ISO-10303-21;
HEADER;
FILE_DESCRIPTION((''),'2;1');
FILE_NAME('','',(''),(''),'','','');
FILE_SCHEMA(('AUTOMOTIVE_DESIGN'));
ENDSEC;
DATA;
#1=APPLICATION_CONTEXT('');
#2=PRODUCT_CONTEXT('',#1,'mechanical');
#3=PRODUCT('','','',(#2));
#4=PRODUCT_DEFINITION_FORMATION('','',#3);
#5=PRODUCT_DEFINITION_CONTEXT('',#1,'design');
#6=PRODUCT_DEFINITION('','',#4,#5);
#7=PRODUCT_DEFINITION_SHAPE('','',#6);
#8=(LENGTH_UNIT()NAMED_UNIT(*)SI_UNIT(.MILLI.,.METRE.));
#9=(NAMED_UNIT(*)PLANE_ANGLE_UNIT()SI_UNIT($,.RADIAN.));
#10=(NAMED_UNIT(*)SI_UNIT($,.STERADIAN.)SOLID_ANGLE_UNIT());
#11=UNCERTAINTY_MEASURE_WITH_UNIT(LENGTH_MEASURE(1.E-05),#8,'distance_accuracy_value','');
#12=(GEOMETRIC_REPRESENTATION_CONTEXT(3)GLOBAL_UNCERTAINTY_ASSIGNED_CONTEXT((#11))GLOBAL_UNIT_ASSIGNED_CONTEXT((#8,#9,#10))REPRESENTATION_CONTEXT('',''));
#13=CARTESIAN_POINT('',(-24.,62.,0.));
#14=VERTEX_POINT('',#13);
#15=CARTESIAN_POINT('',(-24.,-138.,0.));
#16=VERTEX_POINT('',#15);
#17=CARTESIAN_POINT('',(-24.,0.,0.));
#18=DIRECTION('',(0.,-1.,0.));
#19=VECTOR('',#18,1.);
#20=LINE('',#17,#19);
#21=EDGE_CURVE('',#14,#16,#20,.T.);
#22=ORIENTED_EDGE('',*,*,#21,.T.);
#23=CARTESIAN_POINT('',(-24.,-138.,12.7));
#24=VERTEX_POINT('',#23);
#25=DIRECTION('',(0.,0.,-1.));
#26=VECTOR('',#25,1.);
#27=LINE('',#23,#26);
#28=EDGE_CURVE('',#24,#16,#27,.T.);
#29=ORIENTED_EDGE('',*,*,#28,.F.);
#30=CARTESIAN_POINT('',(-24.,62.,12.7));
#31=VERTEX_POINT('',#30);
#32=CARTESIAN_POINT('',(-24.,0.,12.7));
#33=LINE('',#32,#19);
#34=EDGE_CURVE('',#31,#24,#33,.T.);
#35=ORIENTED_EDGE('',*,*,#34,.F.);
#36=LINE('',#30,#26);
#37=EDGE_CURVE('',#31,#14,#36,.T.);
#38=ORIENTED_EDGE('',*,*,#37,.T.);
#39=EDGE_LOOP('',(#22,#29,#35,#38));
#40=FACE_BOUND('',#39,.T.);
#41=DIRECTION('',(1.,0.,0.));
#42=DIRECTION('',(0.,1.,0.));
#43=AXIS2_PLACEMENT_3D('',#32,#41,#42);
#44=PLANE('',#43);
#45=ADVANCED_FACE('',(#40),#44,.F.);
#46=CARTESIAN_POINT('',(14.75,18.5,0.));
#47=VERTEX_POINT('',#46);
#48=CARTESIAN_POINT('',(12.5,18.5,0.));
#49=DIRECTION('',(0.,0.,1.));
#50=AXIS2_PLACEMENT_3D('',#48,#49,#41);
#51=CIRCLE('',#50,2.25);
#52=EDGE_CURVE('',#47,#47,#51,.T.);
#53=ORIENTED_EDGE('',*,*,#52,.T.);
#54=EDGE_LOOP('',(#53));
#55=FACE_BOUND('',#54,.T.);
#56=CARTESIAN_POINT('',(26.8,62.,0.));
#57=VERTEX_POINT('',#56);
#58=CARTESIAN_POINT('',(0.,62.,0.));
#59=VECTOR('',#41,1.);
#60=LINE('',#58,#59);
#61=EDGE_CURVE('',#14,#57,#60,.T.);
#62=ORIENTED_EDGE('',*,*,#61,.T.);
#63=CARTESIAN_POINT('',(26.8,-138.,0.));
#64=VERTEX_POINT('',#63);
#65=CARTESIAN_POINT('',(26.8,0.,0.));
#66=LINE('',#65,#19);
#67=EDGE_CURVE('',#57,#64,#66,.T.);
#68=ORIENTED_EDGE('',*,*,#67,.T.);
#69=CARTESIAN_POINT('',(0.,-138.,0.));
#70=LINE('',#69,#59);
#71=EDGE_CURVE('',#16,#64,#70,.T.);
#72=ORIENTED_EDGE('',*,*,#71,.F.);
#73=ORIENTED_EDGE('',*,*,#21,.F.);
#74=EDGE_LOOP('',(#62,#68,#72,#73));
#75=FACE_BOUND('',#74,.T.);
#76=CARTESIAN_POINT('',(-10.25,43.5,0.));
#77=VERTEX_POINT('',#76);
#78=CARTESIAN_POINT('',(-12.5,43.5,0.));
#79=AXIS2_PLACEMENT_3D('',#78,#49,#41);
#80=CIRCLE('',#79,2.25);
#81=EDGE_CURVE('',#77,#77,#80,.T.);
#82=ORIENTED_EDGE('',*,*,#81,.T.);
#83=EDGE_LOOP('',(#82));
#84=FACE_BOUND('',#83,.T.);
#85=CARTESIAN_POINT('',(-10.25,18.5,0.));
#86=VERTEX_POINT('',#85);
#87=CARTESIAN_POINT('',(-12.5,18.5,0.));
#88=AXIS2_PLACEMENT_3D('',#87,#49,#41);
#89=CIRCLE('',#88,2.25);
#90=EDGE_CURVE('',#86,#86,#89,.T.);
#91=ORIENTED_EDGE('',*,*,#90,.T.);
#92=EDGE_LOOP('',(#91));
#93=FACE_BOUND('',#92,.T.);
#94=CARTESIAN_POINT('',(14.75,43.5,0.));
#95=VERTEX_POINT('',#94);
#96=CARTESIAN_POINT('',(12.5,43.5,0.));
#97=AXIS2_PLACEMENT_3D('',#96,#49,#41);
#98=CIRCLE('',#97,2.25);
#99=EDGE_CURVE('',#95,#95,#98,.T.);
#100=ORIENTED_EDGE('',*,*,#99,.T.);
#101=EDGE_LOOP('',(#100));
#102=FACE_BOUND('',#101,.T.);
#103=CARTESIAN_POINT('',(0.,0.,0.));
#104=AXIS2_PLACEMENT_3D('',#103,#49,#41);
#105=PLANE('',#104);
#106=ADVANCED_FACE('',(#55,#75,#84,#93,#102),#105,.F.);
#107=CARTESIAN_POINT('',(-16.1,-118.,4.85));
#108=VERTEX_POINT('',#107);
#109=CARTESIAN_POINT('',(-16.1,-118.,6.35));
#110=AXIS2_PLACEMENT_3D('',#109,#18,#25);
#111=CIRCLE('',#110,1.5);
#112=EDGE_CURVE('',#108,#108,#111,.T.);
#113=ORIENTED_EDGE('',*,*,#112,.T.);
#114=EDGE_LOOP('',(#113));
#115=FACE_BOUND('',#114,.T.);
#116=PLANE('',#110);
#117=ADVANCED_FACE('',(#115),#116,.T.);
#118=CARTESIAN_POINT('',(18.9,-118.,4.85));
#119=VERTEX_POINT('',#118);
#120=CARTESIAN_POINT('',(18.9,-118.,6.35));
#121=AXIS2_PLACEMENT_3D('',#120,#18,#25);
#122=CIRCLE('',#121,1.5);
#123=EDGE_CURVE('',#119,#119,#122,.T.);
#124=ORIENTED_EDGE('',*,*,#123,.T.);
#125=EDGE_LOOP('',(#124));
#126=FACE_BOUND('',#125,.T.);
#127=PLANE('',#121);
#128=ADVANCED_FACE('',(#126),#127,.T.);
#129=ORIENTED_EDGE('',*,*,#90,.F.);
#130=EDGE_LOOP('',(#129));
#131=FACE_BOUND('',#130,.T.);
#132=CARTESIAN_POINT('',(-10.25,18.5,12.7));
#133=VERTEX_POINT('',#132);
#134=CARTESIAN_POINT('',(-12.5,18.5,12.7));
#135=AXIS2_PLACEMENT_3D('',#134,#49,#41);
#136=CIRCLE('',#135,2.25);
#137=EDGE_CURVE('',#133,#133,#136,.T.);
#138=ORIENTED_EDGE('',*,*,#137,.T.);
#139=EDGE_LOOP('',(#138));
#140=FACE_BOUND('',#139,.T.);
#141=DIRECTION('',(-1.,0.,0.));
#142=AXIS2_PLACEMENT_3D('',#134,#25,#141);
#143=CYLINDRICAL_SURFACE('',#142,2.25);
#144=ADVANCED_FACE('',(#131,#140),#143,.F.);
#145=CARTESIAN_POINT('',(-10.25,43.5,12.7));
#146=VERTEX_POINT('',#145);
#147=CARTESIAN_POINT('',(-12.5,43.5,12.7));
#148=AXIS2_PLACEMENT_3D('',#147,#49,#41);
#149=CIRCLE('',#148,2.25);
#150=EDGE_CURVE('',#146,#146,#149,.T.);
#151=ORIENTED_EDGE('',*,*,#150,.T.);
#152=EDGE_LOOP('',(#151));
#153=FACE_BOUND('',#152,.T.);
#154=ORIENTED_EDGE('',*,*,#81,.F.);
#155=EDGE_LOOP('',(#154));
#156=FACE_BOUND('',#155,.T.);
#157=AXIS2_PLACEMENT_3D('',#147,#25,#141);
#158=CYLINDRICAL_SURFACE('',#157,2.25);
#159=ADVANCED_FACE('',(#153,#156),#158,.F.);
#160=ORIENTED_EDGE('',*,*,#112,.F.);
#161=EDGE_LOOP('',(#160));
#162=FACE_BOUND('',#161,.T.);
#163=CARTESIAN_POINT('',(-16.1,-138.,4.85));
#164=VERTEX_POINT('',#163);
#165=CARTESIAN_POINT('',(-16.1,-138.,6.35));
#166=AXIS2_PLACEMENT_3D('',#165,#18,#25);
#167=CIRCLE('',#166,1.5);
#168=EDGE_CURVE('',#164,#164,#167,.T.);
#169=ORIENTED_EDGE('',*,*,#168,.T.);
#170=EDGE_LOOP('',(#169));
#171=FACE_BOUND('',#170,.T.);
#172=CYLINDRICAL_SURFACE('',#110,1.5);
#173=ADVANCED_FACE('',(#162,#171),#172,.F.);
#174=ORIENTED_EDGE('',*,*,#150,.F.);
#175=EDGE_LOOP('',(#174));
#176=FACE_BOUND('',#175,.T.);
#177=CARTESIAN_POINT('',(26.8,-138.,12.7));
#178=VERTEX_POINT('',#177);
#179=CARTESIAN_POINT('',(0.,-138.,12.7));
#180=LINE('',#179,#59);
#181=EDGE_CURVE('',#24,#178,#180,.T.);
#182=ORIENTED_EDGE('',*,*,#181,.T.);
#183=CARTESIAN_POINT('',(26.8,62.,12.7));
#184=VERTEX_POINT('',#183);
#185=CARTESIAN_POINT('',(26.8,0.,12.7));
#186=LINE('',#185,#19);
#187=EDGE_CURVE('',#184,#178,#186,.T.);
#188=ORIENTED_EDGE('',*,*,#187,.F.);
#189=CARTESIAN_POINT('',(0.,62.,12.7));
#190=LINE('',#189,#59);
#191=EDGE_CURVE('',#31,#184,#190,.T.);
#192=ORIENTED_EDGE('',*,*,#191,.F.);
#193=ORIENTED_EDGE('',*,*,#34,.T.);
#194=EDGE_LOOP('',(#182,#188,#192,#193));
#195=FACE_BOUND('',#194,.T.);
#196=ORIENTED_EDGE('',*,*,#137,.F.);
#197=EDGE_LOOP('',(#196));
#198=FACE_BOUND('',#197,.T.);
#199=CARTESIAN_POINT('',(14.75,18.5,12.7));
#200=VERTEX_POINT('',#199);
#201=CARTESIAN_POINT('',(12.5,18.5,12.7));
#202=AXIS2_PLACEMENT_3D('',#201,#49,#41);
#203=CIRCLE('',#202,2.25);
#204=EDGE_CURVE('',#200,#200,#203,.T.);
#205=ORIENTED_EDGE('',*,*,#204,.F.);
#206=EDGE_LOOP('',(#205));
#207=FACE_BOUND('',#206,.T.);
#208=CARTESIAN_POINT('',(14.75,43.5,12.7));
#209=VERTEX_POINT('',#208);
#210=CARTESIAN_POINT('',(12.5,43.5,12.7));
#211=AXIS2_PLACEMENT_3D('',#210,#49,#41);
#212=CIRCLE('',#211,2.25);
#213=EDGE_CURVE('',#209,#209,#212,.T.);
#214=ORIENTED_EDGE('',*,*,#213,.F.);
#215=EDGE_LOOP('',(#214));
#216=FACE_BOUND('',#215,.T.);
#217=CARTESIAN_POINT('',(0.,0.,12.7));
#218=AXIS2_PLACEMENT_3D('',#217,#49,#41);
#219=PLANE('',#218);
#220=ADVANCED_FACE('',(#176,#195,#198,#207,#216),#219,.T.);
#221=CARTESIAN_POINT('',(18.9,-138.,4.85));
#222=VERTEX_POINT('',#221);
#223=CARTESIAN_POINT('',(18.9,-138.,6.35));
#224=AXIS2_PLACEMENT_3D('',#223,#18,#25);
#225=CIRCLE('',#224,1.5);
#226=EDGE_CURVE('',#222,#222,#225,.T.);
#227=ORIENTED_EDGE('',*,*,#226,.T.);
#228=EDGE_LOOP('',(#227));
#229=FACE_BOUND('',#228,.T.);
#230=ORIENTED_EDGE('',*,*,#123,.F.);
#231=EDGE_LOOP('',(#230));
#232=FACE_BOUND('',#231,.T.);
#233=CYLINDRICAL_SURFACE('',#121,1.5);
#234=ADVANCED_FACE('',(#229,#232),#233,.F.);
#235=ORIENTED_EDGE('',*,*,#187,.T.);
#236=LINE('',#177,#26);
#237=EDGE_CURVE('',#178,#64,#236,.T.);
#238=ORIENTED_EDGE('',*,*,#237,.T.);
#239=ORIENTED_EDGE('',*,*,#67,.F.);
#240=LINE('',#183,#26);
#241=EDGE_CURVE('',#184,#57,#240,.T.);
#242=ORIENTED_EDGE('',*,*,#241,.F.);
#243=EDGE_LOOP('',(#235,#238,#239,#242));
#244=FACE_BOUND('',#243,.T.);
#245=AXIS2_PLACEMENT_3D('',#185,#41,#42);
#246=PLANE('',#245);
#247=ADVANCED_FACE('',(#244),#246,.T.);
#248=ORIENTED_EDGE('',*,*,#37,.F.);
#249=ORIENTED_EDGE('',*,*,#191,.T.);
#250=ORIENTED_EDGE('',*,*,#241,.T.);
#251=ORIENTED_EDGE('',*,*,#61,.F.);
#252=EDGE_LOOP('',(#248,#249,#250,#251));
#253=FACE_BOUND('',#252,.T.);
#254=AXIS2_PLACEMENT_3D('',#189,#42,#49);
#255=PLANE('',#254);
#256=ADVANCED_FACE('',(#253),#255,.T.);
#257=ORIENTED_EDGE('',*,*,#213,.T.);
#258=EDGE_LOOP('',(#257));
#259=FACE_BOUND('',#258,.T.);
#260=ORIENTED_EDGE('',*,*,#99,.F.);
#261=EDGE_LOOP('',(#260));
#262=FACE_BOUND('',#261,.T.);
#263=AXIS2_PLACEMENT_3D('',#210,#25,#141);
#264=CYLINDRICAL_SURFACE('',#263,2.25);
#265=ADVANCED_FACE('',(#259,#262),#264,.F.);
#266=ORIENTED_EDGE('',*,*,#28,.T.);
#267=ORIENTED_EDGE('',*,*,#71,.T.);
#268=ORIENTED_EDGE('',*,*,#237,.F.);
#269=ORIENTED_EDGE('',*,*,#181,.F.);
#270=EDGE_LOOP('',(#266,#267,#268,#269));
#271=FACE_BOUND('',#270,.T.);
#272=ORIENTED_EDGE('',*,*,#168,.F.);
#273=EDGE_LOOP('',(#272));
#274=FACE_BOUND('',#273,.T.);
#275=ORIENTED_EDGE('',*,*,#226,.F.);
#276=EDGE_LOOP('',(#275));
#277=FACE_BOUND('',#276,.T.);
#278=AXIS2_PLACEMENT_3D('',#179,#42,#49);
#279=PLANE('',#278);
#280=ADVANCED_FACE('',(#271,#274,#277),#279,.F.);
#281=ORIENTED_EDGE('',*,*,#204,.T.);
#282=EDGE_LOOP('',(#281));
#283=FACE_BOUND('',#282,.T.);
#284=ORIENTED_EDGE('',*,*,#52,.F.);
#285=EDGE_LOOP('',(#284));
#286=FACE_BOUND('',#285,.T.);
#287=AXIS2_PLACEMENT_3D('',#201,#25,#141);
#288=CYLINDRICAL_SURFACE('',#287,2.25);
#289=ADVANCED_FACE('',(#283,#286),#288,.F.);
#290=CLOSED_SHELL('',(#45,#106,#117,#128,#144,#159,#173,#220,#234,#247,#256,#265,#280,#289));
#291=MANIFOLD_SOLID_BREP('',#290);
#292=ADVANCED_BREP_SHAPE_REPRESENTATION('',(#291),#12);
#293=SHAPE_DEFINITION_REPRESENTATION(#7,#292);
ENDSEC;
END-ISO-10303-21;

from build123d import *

# Parameters (mm, degrees)
CROQUIS1_W              = 50.8
CROQUIS1_H              = 200
CROQUIS1_R              = 2.25
SALIENTE_EXTRUIR1_DEPTH = 12.7
CROQUIS2_R              = 1.5
CORTAR_EXTRUIR1_DEPTH   = 20


with BuildPart() as part:
    # Croquis1 → Saliente-Extruir1 (new body)
    with BuildSketch(Plane.XY):
        with Locations((1.4, -38)):
            Rectangle(CROQUIS1_W, CROQUIS1_H)
        with Locations((-12.5, 43.5)):
            Circle(CROQUIS1_R, mode=Mode.SUBTRACT)
        with Locations((12.5, 43.5)):
            Circle(CROQUIS1_R, mode=Mode.SUBTRACT)
        with Locations((12.5, 18.5)):
            Circle(CROQUIS1_R, mode=Mode.SUBTRACT)
        with Locations((-12.5, 18.5)):
            Circle(CROQUIS1_R, mode=Mode.SUBTRACT)
    extrude(amount=SALIENTE_EXTRUIR1_DEPTH)

    # Croquis2 → Cortar-Extruir1 (cut)
    with BuildSketch(Plane.XZ.offset(138)):
        with Locations(Location((-16.1, 6.35, 0), (0, 0, 270))):
            Circle(CROQUIS2_R)
        with Locations(Location((18.9, 6.35, 0), (0, 0, 270))):
            Circle(CROQUIS2_R)
    extrude(amount=-CORTAR_EXTRUIR1_DEPTH, mode=Mode.SUBTRACT)


solid = part.part
